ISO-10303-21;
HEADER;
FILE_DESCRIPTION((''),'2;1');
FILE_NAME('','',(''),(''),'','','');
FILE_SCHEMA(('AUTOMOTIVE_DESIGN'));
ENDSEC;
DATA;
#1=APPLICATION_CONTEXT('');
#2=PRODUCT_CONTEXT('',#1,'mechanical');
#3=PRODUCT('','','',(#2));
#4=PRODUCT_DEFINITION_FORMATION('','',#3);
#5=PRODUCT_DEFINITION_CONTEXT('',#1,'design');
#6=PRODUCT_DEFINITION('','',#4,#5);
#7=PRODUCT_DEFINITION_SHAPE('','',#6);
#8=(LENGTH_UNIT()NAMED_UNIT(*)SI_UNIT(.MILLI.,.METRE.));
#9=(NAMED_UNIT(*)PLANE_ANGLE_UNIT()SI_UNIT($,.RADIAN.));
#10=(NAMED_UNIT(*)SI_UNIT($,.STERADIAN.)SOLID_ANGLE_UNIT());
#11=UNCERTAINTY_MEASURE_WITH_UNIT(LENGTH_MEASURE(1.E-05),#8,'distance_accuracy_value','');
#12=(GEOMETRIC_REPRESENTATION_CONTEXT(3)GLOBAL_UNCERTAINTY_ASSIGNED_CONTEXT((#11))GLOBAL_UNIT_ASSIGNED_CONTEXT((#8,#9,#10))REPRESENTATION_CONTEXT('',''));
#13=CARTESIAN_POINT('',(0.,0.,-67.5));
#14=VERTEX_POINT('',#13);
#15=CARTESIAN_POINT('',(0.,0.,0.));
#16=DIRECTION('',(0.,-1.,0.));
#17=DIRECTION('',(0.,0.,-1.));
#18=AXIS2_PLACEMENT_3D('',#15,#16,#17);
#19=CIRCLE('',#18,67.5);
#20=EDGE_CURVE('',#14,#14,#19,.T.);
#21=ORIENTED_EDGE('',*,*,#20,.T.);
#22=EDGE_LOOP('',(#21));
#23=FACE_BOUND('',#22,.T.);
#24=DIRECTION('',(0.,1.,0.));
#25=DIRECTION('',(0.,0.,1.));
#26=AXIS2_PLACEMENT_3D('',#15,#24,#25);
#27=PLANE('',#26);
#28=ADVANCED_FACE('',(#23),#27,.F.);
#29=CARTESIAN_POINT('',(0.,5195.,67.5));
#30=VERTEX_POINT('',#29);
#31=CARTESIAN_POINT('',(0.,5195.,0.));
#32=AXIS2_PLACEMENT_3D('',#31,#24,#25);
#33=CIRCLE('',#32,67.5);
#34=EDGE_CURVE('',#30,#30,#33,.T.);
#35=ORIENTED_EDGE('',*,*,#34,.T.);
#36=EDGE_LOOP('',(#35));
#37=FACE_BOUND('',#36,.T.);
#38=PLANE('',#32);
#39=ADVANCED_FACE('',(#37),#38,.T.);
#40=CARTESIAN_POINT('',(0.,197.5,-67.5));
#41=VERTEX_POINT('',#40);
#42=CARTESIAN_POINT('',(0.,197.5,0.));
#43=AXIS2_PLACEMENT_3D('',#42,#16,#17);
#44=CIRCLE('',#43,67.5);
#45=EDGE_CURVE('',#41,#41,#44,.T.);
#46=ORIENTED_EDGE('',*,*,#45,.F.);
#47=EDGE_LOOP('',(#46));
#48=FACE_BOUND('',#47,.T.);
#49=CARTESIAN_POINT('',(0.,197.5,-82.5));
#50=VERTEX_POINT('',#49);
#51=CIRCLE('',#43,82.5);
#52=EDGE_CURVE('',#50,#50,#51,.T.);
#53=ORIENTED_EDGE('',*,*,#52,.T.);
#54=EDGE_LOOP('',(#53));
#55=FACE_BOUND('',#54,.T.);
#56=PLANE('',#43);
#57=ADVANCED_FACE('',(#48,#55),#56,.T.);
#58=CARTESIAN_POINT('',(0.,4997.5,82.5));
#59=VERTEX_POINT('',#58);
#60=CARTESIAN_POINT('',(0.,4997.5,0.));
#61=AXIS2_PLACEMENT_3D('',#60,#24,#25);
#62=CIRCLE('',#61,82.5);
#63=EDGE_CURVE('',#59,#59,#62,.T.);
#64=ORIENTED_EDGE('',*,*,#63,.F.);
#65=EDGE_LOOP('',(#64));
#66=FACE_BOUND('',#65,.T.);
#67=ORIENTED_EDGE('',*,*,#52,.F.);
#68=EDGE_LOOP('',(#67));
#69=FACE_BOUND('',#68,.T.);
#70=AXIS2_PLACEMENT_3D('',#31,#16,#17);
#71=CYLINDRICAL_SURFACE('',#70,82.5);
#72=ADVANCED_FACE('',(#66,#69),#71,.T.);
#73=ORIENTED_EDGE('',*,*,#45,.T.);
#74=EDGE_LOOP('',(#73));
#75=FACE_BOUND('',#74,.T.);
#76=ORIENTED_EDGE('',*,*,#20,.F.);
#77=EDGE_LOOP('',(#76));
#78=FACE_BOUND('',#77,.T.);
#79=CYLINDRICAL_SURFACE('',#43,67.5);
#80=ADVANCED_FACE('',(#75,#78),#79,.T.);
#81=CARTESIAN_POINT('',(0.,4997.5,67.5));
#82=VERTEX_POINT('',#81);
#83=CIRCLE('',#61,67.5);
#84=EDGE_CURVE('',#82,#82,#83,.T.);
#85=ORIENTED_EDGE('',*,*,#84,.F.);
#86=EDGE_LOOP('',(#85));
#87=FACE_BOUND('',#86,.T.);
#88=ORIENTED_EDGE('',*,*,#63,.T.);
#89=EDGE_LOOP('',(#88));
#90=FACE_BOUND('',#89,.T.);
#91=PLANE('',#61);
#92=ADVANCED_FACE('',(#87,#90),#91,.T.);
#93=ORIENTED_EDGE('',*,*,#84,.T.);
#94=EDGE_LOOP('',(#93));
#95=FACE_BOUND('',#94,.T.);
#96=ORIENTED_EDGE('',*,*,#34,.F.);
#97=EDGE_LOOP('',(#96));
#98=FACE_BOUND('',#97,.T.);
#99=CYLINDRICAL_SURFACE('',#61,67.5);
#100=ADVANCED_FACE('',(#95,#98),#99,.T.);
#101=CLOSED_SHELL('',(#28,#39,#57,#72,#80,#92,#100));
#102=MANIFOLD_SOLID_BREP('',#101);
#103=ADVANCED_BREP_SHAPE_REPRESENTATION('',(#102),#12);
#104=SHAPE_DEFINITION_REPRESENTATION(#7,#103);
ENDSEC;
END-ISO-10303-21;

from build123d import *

# Parameters (mm, degrees)
SKETCH1_R           = 82.5
BOSS_EXTRUDE1_DEPTH = 5195
SKETCH2_R           = 82.5
SKETCH2_R_2         = 67.5
CUT_EXTRUDE1_DEPTH  = 197.5
SKETCH3_R           = 82.5
SKETCH3_R_2         = 67.5
CUT_EXTRUDE2_DEPTH  = 197.5


with BuildPart() as part:
    # Sketch1 → Boss-Extrude1 (new body)
    with BuildSketch(Plane(origin=(0, 0, 0), x_dir=(1, 0, 0), z_dir=(0, 1, 0))):
        Circle(SKETCH1_R)
    extrude(amount=BOSS_EXTRUDE1_DEPTH)

    # Sketch2 → Cut-Extrude1 (cut)
    with BuildSketch(Plane.XZ):
        Circle(SKETCH2_R)
        Circle(SKETCH2_R_2, mode=Mode.SUBTRACT)
    extrude(amount=-CUT_EXTRUDE1_DEPTH, mode=Mode.SUBTRACT)

    # Sketch3 → Cut-Extrude2 (cut)
    with BuildSketch(Plane(origin=(0, 5195, 0), x_dir=(1, 0, 0), z_dir=(0, 1, 0))):
        Circle(SKETCH3_R)
        Circle(SKETCH3_R_2, mode=Mode.SUBTRACT)
    extrude(amount=-CUT_EXTRUDE2_DEPTH, mode=Mode.SUBTRACT)


solid = part.part
